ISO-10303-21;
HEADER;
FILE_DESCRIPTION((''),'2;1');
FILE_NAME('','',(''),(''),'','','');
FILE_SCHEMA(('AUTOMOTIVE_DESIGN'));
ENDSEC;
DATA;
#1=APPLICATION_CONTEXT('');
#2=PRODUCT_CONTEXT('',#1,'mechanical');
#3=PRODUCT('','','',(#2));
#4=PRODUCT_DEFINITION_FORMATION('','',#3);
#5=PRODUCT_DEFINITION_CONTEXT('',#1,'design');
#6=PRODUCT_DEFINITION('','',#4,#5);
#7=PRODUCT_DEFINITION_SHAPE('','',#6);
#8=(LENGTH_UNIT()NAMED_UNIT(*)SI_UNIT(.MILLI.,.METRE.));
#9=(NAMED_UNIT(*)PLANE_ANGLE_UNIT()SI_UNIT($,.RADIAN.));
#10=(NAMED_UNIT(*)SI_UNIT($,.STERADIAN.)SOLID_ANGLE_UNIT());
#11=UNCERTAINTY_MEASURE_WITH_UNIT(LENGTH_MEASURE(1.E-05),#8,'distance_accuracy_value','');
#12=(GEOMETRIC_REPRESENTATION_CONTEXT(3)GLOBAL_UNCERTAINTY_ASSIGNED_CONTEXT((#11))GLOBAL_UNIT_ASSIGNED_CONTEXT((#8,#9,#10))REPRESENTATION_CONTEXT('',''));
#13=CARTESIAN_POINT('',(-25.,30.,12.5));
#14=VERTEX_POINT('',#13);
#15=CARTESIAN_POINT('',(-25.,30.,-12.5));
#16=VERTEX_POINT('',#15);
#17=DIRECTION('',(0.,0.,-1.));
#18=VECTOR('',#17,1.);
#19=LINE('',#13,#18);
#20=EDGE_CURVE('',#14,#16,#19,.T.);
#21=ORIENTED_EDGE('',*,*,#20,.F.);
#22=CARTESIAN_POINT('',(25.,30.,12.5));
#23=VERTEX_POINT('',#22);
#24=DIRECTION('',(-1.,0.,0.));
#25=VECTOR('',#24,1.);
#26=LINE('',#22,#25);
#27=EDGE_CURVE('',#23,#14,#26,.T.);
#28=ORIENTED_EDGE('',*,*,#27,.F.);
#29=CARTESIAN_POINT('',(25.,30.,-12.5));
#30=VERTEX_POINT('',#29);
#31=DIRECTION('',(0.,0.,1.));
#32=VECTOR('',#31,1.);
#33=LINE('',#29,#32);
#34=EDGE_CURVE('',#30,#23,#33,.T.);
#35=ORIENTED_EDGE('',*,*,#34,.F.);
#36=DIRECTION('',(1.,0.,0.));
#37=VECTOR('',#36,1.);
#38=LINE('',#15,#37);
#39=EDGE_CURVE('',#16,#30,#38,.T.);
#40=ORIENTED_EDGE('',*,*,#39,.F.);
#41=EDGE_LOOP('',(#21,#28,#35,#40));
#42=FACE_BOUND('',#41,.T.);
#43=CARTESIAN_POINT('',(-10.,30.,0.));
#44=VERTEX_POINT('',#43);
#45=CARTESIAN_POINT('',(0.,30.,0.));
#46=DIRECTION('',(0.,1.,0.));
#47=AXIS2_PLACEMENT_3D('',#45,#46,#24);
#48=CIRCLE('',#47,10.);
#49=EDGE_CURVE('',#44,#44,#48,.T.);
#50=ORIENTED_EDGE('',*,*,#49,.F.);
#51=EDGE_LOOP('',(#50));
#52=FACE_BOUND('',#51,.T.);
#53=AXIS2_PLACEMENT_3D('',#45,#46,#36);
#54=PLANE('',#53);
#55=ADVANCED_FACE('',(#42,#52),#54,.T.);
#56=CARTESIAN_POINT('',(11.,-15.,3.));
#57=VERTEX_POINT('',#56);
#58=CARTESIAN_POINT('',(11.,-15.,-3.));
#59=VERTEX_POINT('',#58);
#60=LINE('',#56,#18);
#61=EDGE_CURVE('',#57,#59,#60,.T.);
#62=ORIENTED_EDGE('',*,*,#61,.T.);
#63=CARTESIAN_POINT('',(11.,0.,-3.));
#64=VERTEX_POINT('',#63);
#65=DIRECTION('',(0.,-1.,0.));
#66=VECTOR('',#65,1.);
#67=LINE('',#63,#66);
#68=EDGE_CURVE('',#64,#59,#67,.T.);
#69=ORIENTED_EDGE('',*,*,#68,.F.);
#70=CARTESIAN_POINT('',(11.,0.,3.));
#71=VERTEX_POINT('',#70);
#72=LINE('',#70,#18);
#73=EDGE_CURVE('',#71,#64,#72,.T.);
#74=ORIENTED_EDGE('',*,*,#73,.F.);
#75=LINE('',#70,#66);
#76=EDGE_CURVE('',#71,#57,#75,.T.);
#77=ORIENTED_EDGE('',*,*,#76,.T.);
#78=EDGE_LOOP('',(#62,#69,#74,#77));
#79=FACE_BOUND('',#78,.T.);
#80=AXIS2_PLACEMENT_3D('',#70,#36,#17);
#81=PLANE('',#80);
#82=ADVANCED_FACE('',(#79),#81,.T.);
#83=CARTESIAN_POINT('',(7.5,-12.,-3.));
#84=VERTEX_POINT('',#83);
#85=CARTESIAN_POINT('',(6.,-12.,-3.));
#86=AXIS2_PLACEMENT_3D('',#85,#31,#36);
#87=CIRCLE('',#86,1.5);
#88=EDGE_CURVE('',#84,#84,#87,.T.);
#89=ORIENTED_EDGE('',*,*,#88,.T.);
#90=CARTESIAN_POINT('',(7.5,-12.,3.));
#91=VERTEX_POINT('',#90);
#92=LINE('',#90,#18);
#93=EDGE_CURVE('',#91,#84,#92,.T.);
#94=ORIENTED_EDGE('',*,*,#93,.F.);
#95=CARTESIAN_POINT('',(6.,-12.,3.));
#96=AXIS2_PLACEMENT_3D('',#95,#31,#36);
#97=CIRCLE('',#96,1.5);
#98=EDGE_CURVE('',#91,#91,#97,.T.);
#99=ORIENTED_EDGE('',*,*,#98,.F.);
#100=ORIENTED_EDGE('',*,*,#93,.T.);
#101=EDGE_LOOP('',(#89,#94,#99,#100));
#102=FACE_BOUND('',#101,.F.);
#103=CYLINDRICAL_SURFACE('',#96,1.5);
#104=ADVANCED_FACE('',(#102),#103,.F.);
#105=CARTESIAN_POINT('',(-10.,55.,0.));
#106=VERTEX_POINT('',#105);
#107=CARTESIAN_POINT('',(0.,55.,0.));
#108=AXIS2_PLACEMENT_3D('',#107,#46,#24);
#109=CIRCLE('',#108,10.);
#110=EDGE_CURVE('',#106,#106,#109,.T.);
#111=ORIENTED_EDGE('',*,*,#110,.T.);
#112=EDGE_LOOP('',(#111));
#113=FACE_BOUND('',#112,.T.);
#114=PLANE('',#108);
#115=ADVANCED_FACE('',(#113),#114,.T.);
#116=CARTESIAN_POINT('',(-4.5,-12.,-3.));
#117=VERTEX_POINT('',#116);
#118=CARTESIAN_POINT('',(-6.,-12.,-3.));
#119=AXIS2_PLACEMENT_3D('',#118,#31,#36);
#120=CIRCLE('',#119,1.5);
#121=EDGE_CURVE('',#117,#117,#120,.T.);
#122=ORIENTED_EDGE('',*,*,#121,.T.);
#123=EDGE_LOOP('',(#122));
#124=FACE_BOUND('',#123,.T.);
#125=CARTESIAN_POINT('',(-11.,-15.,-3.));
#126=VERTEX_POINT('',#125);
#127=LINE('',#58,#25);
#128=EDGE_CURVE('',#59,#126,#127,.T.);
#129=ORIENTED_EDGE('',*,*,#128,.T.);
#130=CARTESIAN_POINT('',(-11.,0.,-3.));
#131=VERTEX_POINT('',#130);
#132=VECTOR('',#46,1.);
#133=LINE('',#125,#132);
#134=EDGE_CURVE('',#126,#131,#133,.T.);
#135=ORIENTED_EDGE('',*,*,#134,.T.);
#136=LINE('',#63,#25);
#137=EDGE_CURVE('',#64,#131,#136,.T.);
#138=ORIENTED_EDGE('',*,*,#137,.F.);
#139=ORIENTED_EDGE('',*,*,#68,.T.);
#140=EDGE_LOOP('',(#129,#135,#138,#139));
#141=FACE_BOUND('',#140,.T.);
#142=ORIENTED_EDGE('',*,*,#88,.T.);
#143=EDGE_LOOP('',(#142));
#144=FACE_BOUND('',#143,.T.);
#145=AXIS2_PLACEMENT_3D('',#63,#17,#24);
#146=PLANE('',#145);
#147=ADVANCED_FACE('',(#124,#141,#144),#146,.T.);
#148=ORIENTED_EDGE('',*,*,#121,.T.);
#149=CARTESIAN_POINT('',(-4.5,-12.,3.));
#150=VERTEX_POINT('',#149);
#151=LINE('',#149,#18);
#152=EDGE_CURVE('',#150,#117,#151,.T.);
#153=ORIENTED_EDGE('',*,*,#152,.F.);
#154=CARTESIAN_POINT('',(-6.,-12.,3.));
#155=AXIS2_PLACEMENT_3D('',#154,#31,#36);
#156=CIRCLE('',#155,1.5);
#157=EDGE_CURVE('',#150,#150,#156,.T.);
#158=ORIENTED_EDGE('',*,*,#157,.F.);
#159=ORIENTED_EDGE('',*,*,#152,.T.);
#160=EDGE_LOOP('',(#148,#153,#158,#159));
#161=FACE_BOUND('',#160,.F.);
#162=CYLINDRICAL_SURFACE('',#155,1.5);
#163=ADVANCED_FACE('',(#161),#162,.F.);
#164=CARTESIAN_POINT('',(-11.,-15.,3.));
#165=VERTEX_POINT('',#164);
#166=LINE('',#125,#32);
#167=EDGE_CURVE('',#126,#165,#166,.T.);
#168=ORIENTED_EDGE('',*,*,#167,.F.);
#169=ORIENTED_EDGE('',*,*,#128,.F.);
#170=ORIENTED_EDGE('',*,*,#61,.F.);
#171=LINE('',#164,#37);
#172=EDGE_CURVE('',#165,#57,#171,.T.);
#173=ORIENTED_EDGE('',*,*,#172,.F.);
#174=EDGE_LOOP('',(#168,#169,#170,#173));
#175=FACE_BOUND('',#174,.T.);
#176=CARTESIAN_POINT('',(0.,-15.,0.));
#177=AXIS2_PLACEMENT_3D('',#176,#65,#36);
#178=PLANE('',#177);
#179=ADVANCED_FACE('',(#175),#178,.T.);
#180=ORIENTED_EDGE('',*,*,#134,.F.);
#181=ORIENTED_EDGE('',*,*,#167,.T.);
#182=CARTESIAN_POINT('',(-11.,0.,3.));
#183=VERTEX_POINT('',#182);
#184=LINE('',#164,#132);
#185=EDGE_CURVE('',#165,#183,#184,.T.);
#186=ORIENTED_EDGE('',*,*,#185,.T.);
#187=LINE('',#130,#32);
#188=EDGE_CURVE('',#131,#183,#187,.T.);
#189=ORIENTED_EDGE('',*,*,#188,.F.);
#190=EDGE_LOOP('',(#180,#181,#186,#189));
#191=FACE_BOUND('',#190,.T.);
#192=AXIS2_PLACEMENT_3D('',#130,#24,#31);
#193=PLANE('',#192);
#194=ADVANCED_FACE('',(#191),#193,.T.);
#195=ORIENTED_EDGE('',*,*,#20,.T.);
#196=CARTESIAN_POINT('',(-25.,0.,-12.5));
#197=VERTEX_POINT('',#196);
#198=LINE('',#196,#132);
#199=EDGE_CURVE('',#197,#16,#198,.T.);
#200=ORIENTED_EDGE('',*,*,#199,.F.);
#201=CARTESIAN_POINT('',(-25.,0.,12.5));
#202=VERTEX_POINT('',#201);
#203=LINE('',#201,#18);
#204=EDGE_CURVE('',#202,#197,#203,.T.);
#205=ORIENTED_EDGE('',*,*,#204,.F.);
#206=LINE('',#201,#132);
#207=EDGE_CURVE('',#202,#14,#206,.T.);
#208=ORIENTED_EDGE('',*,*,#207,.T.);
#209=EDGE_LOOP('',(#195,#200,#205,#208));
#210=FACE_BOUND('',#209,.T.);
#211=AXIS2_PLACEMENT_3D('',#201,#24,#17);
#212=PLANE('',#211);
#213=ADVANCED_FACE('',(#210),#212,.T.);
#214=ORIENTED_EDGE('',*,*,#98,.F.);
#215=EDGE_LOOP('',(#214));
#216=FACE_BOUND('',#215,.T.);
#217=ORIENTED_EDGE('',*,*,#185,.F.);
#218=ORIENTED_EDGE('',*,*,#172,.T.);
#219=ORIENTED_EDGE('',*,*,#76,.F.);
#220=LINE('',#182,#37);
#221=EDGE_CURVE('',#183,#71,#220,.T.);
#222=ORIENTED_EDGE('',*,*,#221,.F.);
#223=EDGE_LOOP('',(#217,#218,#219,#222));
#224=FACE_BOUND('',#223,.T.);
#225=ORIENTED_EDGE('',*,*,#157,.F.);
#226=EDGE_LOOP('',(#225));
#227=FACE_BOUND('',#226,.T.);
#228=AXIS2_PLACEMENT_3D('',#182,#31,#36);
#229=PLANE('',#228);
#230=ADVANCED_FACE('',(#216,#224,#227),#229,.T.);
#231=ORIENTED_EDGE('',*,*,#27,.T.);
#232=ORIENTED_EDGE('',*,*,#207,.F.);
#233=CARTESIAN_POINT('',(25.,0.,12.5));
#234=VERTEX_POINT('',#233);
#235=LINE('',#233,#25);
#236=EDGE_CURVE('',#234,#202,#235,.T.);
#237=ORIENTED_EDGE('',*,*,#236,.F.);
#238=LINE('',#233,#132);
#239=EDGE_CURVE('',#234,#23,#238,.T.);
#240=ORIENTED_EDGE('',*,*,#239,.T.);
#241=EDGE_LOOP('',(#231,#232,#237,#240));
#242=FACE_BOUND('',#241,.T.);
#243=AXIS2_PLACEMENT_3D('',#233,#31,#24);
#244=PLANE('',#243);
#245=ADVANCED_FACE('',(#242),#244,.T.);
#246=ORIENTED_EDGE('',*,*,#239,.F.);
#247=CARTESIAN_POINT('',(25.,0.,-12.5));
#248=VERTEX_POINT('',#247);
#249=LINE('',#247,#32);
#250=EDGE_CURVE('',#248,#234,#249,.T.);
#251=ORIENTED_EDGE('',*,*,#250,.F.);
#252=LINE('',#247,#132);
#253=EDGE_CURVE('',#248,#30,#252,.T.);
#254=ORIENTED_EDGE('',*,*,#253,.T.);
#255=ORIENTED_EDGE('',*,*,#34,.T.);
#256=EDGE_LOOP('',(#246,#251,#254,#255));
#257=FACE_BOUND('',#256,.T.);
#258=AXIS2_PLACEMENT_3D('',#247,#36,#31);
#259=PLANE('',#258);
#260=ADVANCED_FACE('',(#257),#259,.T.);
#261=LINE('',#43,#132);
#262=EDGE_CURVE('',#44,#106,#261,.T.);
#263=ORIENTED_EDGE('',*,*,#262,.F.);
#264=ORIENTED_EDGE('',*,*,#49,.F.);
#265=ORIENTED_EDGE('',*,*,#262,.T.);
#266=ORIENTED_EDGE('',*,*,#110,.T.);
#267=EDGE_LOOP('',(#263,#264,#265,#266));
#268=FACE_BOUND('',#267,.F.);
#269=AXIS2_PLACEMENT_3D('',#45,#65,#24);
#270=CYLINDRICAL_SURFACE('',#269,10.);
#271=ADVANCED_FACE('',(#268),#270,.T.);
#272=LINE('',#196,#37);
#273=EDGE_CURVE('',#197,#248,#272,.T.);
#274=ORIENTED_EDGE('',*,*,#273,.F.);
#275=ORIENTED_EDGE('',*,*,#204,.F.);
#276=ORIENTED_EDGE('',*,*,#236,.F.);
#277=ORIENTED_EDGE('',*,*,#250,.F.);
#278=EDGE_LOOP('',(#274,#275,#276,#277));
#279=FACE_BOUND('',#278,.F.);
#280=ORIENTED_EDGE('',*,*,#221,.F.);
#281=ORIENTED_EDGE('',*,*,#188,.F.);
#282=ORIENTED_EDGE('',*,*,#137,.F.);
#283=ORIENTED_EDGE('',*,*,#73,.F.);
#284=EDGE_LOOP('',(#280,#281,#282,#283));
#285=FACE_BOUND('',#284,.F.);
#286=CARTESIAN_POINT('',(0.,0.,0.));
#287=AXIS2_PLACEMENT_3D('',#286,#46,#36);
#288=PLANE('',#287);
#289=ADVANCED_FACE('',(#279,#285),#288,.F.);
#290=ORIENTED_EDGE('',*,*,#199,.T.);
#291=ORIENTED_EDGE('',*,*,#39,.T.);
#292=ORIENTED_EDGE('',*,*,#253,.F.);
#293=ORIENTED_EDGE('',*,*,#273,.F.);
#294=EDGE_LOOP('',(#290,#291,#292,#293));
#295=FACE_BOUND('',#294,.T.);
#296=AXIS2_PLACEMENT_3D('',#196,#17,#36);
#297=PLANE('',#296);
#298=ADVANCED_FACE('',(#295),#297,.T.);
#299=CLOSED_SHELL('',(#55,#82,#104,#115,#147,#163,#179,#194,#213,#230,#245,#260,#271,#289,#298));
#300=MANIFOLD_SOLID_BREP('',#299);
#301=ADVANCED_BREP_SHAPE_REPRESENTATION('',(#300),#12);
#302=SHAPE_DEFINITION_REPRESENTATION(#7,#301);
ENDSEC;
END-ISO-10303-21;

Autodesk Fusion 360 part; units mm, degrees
sketch "Sketch1" plane through (0, 0, 0) normal (0, 1, 0) x (1, 0, 0)
  line L0 (25, -12.5) -> (-25, -12.5)
  line L1 (-25, -12.5) -> (-25, 12.5)
  line L2 (-25, 12.5) -> (25, 12.5)
  line L3 (25, 12.5) -> (25, -12.5)
  line L4 (25, -12.5) -> (-25, 12.5) construction
  line L5 (-25, -12.5) -> (25, 12.5) construction
  dimension "d1" = 50
  dimension "d2" = 25
extrude "Extrude1" add sketch "Sketch1" along normal blind 30 makes body 1
sketch "Sketch2" plane through (0, 30, 0) normal (0, 1, 0) x (-1, 0, 0)
  line L0 (-25, -12.5) -> (25, -12.5)
  line L1 (25, -12.5) -> (25, 12.5)
  line L2 (25, 12.5) -> (-25, 12.5)
  line L3 (-25, 12.5) -> (-25, -12.5)
  circle A0 centre (0, 0) radius 10
  dimension "d5" = 20
extrude "Extrude2" add sketch "Sketch2" along normal blind 25 contours A0 bodies 1
sketch "Sketch3" plane through (0, 0, 0) normal (0, -1, 0) x (1, 0, 0)
  line L0 (-25, -12.5) -> (25, -12.5)
  line L1 (25, -12.5) -> (25, 12.5)
  line L2 (25, 12.5) -> (-25, 12.5)
  line L3 (-25, 12.5) -> (-25, -12.5)
  line L4 (11, -3) -> (-11, -3)
  line L5 (-11, -3) -> (-11, 3)
  line L6 (-11, 3) -> (11, 3)
  line L7 (11, 3) -> (11, -3)
  line L8 (11, -3) -> (-11, 3) construction
  line L9 (-11, -3) -> (11, 3) construction
  dimension "d8" = 22
  dimension "d9" = 6
extrude "Extrude4" add sketch "Sketch3" along normal blind 10 contours L4 L5 L6 L7 bodies 1
sketch "Sketch4" plane through (0, 0, 3) normal (0, 0, 1) x (1, 0, 0)
  line L0 (11, 0) -> (-11, 0)
  line L1 (-11, 0) -> (-11, -10)
  line L2 (-11, -10) -> (11, -10)
  line L3 (11, -10) -> (11, 0)
  circle A0 centre (-6, -7) radius 1.5
  circle A1 centre (6, -7) radius 1.5
  dimension "d16" = 3
  dimension "d19" = 3
extrude "Extrude5" cut sketch "Sketch4" against normal blind 15 contours A0 | A1 bodies 1
extrude "Extrude3" add sketch "Sketch3" along normal blind 15 contours L4 L5 L6 L7 bodies 1
sketch "Sketch5" plane through (0, 0, 3) normal (0, 0, 1) x (1, 0, 0)
  line L0 (11, 0) -> (-11, 0)
  line L1 (-11, 0) -> (-11, -15)
  line L2 (-11, -15) -> (11, -15)
  line L3 (11, -15) -> (11, 0)
  circle A0 centre (-6, -12) radius 1.5
  circle A1 centre (6, -12) radius 1.5
  dimension "d26" = 3
  dimension "d27" = 3
extrude "Extrude6" cut sketch "Sketch5" against normal blind 21 contours A0 | A1 bodies 1
copy_body "Body->Comp2" bodies 1 removing the originals makes body 2 in component "Component"
component "Component" placed x (1, 0, 0) y (0, 1, 0) z (0, 0, 1) at (0, 0, 0)
